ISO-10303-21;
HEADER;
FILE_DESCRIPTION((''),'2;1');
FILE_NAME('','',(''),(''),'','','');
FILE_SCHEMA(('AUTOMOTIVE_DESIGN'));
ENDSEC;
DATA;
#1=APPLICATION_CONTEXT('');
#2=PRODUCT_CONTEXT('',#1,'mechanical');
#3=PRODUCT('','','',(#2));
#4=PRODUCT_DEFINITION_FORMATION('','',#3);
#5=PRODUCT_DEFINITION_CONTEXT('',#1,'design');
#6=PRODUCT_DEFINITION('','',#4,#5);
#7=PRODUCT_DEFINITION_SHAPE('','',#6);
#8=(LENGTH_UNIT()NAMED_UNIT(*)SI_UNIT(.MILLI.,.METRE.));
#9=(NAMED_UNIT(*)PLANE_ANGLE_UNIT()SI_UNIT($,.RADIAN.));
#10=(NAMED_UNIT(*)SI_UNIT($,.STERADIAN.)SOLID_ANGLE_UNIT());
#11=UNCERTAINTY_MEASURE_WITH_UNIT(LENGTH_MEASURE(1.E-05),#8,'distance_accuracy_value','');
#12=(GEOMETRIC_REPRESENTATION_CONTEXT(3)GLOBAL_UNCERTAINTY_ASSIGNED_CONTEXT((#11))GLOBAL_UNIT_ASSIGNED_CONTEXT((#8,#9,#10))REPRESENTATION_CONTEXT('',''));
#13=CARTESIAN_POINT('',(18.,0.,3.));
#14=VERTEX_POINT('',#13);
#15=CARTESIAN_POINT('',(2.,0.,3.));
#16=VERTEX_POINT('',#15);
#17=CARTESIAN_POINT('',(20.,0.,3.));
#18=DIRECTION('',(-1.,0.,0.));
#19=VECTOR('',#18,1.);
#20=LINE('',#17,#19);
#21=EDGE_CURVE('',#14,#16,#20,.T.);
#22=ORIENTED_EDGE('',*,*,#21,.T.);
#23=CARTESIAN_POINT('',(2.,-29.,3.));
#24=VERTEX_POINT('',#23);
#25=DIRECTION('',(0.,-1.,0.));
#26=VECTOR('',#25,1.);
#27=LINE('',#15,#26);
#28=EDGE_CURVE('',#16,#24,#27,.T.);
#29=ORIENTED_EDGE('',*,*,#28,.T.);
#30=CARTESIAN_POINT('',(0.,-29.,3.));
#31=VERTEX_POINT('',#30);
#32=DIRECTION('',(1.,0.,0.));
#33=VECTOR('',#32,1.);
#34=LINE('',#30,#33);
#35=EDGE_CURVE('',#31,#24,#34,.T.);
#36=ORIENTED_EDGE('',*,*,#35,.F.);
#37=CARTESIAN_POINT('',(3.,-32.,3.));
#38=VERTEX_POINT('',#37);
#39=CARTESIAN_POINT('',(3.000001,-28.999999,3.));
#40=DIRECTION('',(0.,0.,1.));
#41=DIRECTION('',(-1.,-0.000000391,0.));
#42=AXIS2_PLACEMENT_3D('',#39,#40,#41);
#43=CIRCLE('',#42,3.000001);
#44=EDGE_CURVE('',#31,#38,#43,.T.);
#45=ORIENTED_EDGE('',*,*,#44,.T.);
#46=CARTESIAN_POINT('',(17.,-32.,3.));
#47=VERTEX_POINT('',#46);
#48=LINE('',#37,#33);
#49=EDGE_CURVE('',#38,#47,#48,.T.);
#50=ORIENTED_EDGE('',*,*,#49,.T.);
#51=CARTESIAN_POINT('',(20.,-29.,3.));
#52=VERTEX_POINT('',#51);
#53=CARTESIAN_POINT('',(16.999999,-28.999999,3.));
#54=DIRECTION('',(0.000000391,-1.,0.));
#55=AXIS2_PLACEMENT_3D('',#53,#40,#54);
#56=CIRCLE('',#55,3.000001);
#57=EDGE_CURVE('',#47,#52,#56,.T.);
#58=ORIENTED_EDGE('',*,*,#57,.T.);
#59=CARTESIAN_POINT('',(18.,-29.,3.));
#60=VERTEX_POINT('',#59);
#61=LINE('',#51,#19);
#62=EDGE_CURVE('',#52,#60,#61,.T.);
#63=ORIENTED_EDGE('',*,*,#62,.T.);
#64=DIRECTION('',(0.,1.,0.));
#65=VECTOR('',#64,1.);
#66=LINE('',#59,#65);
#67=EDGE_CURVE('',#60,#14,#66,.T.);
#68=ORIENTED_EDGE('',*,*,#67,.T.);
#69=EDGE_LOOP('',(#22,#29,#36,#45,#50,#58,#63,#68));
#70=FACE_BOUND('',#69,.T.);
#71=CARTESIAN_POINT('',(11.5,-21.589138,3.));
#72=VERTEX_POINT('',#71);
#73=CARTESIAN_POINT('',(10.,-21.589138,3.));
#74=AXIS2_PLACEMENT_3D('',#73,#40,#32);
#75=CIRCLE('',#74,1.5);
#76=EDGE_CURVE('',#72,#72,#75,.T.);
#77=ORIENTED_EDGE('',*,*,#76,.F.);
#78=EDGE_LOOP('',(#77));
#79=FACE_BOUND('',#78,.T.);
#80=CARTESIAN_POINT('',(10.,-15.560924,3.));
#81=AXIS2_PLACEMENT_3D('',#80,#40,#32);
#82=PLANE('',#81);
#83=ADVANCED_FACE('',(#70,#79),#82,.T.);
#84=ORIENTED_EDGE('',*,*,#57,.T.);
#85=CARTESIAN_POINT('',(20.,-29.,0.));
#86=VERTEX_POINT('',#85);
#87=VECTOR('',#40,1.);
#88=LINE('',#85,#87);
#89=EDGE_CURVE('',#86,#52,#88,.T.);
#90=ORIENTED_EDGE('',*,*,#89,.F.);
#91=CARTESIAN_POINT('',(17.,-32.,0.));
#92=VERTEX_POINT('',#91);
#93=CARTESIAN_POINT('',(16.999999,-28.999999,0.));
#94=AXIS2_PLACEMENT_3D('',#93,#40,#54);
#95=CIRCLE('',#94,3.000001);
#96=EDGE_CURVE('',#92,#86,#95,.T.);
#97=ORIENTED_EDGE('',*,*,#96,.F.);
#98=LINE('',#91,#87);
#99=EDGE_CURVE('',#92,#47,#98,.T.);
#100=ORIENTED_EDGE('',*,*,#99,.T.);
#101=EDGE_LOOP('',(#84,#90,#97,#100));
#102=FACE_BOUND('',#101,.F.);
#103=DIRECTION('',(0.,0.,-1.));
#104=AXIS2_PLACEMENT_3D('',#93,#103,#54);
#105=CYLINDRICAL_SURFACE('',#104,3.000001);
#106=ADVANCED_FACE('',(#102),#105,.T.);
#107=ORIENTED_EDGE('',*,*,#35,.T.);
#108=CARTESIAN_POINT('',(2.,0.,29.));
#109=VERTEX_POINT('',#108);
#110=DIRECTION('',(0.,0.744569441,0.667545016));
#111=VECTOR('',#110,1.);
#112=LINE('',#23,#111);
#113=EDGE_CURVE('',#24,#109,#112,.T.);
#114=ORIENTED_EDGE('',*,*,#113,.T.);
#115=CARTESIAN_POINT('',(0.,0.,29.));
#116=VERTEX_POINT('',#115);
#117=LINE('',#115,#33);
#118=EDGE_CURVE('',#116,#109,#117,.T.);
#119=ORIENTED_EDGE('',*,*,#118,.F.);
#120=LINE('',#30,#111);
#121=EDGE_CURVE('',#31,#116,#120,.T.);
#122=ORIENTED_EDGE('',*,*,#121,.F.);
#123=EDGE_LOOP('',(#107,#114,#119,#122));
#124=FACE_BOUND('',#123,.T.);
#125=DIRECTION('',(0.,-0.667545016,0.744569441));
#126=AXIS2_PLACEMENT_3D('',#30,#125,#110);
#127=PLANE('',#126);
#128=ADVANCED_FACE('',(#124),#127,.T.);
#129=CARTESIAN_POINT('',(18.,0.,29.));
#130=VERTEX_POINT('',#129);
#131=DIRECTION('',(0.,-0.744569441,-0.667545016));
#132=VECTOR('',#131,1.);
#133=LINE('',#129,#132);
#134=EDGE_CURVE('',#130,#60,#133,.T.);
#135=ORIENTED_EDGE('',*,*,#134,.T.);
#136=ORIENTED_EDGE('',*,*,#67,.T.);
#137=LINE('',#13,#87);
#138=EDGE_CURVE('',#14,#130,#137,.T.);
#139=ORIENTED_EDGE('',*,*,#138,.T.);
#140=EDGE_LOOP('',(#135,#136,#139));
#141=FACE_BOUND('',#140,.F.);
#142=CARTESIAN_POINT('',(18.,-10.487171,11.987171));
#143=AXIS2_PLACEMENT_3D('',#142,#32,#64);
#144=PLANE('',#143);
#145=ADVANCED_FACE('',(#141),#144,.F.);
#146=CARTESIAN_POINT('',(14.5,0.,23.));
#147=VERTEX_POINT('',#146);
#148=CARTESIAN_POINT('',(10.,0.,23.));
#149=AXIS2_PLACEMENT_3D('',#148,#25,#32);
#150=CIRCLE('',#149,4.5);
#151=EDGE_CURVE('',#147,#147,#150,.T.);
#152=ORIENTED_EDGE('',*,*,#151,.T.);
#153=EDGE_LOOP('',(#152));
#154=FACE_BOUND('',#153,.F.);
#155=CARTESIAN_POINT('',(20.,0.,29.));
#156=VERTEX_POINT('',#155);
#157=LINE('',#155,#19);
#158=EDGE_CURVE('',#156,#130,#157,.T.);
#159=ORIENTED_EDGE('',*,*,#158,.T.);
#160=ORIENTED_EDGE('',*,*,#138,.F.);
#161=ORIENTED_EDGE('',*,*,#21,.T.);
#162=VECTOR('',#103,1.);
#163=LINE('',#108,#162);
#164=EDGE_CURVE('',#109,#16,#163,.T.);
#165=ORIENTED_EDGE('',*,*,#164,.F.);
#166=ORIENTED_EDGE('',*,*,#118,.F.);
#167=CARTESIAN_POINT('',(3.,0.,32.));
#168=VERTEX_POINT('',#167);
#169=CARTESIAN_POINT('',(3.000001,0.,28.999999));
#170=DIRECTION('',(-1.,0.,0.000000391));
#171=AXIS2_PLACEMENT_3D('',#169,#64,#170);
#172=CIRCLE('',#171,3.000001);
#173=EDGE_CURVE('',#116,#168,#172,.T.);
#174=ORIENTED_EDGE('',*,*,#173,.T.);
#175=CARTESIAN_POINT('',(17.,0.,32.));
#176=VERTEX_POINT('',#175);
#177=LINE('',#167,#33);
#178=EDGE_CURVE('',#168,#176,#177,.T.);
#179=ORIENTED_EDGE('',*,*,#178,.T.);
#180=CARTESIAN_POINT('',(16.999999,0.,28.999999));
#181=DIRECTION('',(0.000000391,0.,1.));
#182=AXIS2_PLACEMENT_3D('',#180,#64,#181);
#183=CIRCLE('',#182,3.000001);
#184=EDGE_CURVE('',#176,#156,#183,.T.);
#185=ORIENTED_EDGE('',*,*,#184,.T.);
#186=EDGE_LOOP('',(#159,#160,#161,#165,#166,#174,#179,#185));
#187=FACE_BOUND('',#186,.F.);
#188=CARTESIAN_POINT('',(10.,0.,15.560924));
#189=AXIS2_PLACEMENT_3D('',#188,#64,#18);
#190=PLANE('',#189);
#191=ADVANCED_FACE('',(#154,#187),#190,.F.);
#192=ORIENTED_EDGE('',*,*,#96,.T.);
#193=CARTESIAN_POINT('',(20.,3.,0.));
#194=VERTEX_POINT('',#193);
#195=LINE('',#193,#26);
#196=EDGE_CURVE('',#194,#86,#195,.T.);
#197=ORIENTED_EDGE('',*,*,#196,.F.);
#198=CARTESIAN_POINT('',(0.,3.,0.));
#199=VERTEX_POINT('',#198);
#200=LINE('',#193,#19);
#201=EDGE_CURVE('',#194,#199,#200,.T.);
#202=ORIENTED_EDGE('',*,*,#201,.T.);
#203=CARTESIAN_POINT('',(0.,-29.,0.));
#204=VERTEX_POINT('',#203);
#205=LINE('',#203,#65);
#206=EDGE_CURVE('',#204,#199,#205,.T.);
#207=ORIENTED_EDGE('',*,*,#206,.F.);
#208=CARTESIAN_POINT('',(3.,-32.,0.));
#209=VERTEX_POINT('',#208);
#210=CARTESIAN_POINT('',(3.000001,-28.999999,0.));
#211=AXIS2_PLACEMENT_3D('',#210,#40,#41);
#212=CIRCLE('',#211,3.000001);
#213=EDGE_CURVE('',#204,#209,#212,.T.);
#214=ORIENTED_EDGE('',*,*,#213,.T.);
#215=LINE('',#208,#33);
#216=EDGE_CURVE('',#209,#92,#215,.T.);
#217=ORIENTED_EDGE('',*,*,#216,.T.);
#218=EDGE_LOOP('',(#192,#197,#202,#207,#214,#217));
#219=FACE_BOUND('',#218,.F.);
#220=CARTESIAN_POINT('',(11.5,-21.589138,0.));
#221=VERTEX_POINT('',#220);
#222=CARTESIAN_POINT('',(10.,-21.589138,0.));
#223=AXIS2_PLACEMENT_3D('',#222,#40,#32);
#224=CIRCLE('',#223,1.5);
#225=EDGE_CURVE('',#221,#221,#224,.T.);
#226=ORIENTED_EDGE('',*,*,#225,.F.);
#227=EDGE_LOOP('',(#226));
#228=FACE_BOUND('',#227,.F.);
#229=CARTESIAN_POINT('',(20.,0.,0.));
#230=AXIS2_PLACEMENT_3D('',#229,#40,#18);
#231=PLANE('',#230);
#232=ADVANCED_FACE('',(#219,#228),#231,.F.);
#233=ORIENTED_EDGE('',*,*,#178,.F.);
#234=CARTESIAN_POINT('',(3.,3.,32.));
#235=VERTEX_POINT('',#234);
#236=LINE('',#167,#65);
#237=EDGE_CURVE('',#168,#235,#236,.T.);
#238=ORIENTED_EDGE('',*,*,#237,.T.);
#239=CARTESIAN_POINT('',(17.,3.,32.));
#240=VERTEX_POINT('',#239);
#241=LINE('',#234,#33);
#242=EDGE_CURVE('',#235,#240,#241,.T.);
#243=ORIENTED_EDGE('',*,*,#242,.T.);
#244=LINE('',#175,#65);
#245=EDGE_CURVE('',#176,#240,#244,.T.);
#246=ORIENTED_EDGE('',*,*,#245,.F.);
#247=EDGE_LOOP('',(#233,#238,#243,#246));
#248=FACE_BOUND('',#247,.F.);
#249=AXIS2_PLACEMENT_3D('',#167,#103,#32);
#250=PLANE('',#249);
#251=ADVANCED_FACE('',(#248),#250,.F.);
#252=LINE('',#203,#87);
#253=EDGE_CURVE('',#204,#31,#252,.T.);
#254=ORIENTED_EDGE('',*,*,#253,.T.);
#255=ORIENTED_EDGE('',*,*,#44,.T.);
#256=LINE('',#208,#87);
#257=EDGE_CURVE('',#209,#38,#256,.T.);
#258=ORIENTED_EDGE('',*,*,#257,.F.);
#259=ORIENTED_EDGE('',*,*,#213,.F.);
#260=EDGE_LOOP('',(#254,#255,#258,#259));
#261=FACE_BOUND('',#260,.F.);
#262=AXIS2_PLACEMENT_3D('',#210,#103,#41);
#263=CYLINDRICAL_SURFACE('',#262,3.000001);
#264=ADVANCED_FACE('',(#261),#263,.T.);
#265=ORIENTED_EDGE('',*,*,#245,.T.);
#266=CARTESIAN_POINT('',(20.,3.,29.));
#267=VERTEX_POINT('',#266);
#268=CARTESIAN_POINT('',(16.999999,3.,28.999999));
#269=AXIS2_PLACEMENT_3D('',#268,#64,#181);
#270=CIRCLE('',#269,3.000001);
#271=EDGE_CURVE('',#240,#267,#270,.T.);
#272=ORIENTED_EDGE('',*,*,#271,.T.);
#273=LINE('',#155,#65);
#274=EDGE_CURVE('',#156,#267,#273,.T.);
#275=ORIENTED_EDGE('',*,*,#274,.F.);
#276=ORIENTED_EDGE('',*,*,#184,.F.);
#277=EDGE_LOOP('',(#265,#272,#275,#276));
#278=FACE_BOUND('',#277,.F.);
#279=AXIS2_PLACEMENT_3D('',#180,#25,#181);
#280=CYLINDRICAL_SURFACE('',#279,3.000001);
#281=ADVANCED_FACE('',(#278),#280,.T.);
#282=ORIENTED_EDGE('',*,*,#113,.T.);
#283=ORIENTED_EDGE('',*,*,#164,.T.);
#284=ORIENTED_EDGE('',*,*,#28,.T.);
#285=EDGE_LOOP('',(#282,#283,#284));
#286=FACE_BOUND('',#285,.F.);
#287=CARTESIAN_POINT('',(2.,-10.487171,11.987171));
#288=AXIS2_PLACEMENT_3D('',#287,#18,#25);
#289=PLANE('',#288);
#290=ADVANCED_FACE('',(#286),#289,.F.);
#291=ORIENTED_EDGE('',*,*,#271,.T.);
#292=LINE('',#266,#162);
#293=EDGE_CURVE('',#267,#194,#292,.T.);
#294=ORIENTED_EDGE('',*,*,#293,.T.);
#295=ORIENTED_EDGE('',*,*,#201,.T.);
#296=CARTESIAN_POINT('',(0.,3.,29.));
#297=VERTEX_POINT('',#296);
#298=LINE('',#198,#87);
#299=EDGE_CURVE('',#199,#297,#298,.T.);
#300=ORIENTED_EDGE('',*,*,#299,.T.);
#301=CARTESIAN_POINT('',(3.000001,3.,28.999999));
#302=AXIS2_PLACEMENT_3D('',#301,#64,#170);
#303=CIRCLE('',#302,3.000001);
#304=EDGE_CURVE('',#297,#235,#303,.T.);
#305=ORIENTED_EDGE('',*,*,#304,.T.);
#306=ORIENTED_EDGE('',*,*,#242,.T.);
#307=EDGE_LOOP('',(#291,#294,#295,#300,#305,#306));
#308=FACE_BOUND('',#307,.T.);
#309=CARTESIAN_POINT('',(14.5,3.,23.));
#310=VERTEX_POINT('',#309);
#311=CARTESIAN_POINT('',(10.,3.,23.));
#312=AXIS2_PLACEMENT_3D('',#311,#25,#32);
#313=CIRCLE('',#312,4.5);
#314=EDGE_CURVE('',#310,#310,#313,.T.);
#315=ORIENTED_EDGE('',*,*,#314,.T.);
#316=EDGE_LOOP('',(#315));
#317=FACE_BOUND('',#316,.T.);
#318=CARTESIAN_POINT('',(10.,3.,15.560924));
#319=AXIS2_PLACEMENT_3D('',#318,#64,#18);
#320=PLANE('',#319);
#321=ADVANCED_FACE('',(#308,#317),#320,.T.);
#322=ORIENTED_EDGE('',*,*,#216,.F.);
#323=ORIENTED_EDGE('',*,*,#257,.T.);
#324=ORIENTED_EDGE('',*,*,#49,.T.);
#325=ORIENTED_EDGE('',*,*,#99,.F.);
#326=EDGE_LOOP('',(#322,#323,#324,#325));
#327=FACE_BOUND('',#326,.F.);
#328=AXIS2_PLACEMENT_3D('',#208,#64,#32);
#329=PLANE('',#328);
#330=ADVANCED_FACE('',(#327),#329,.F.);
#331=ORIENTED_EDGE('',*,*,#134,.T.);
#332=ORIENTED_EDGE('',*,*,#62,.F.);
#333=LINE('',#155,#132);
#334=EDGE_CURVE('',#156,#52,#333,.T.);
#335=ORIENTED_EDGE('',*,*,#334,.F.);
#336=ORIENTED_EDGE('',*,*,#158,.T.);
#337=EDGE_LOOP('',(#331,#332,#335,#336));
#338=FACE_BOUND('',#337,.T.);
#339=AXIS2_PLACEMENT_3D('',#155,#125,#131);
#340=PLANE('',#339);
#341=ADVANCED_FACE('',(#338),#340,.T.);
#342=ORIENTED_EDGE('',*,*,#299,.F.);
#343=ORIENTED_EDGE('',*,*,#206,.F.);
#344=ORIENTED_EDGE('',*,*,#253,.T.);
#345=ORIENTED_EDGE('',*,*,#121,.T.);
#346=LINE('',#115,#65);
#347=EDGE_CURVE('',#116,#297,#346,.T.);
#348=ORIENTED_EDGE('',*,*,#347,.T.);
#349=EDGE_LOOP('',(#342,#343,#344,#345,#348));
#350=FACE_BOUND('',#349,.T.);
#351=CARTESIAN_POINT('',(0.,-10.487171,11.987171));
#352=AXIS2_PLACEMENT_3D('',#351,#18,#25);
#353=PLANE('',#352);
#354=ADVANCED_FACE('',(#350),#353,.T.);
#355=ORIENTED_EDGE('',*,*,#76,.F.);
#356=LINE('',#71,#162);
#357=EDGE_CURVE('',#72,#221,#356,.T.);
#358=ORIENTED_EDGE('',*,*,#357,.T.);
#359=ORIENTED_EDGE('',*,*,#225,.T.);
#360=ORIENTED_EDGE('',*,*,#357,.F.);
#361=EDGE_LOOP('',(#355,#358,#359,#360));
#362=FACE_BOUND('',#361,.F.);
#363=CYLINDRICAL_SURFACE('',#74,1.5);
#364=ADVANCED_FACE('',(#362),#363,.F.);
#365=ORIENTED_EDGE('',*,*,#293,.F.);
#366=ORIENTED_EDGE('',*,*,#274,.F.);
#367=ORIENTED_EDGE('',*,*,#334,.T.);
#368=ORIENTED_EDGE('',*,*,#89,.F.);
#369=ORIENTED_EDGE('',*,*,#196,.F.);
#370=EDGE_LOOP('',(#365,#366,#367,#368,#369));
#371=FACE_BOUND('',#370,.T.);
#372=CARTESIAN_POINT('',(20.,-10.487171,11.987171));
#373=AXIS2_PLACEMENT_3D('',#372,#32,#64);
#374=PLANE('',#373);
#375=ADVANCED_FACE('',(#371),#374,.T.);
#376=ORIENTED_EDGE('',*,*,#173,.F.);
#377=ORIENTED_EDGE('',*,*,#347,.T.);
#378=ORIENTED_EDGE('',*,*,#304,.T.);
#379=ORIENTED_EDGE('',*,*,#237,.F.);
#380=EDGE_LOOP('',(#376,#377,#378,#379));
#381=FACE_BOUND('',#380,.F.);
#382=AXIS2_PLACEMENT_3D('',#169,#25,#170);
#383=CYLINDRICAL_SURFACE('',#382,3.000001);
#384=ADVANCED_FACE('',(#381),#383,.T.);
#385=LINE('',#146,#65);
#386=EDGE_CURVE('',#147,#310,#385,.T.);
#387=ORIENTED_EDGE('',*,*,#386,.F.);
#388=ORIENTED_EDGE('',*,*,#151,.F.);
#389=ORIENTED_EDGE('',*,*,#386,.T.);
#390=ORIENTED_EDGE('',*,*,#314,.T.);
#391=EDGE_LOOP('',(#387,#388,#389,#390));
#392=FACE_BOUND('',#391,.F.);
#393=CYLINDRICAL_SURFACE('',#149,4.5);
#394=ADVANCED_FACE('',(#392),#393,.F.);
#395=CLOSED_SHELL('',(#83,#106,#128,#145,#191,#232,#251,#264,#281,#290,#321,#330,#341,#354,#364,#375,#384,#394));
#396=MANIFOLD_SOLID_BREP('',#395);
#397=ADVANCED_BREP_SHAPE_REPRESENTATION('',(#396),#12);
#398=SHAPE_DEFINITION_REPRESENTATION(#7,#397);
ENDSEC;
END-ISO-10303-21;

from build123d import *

# Parameters (mm, degrees)
F1_DEPTH  = 3
F3_DEPTH  = 3
F5_DEPTH  = 2
F7_DEPTH  = 2
F8_R      = 1.5
F9_DEPTH  = 25
F10_R     = 4.5
F11_DEPTH = 25


with BuildPart() as f1:
    # F0 (on Top) → F1 (new body)
    with BuildSketch(Plane.XY):
        with BuildLine():
            Line((20, 0), (0, 0))
            Line((0, 0), (0, -29))
            ThreePointArc((0, -29), (0.87868, -31.12132), (3, -32))
            Line((3, -32), (17, -32))
            ThreePointArc((17, -32), (19.12132, -31.12132), (20, -29))
            Line((20, -29), (20, 0))
        make_face()
    extrude(amount=F1_DEPTH)

    # F2 (on face) → F3 (join)
    with BuildSketch(Plane(origin=(0, 0, 0), x_dir=(-1, 0, 0), z_dir=(0, 1, 0))):
        with BuildLine():
            Line((-20, 0), (0, 0))
            Line((0, 0), (0, 29))
            ThreePointArc((0, 29), (-0.87868, 31.12132), (-3, 32))
            Line((-3, 32), (-17, 32))
            ThreePointArc((-17, 32), (-19.12132, 31.12132), (-20, 29))
            Line((-20, 29), (-20, 0))
        make_face()
    extrude(amount=F3_DEPTH)

    # F4 (on face) → F5 (join)
    with BuildSketch(Plane(origin=(0, 0, 0), x_dir=(0, -1, 0), z_dir=(-1, 0, 0))):
        Polygon((29, 3), (0, 29), (0, 3), align=None)
    extrude(amount=-F5_DEPTH)

    # F6 (on face) → F7 (join)
    with BuildSketch(Plane.YZ.offset(20)):
        Polygon((0, 3), (0, 29), (-29, 3), align=None)
    extrude(amount=-F7_DEPTH)

    # F8 (on face) → F9 (cut)
    with BuildSketch(Plane.XY.offset(3)):
        with Locations((10, -21.589138)):
            Circle(F8_R)
    extrude(amount=-F9_DEPTH, mode=Mode.SUBTRACT)

    # F10 (on face) → F11 (cut)
    with BuildSketch(Plane.XZ):
        with Locations((10, 23)):
            Circle(F10_R)
    extrude(amount=-F11_DEPTH, mode=Mode.SUBTRACT)


solid = f1.part
